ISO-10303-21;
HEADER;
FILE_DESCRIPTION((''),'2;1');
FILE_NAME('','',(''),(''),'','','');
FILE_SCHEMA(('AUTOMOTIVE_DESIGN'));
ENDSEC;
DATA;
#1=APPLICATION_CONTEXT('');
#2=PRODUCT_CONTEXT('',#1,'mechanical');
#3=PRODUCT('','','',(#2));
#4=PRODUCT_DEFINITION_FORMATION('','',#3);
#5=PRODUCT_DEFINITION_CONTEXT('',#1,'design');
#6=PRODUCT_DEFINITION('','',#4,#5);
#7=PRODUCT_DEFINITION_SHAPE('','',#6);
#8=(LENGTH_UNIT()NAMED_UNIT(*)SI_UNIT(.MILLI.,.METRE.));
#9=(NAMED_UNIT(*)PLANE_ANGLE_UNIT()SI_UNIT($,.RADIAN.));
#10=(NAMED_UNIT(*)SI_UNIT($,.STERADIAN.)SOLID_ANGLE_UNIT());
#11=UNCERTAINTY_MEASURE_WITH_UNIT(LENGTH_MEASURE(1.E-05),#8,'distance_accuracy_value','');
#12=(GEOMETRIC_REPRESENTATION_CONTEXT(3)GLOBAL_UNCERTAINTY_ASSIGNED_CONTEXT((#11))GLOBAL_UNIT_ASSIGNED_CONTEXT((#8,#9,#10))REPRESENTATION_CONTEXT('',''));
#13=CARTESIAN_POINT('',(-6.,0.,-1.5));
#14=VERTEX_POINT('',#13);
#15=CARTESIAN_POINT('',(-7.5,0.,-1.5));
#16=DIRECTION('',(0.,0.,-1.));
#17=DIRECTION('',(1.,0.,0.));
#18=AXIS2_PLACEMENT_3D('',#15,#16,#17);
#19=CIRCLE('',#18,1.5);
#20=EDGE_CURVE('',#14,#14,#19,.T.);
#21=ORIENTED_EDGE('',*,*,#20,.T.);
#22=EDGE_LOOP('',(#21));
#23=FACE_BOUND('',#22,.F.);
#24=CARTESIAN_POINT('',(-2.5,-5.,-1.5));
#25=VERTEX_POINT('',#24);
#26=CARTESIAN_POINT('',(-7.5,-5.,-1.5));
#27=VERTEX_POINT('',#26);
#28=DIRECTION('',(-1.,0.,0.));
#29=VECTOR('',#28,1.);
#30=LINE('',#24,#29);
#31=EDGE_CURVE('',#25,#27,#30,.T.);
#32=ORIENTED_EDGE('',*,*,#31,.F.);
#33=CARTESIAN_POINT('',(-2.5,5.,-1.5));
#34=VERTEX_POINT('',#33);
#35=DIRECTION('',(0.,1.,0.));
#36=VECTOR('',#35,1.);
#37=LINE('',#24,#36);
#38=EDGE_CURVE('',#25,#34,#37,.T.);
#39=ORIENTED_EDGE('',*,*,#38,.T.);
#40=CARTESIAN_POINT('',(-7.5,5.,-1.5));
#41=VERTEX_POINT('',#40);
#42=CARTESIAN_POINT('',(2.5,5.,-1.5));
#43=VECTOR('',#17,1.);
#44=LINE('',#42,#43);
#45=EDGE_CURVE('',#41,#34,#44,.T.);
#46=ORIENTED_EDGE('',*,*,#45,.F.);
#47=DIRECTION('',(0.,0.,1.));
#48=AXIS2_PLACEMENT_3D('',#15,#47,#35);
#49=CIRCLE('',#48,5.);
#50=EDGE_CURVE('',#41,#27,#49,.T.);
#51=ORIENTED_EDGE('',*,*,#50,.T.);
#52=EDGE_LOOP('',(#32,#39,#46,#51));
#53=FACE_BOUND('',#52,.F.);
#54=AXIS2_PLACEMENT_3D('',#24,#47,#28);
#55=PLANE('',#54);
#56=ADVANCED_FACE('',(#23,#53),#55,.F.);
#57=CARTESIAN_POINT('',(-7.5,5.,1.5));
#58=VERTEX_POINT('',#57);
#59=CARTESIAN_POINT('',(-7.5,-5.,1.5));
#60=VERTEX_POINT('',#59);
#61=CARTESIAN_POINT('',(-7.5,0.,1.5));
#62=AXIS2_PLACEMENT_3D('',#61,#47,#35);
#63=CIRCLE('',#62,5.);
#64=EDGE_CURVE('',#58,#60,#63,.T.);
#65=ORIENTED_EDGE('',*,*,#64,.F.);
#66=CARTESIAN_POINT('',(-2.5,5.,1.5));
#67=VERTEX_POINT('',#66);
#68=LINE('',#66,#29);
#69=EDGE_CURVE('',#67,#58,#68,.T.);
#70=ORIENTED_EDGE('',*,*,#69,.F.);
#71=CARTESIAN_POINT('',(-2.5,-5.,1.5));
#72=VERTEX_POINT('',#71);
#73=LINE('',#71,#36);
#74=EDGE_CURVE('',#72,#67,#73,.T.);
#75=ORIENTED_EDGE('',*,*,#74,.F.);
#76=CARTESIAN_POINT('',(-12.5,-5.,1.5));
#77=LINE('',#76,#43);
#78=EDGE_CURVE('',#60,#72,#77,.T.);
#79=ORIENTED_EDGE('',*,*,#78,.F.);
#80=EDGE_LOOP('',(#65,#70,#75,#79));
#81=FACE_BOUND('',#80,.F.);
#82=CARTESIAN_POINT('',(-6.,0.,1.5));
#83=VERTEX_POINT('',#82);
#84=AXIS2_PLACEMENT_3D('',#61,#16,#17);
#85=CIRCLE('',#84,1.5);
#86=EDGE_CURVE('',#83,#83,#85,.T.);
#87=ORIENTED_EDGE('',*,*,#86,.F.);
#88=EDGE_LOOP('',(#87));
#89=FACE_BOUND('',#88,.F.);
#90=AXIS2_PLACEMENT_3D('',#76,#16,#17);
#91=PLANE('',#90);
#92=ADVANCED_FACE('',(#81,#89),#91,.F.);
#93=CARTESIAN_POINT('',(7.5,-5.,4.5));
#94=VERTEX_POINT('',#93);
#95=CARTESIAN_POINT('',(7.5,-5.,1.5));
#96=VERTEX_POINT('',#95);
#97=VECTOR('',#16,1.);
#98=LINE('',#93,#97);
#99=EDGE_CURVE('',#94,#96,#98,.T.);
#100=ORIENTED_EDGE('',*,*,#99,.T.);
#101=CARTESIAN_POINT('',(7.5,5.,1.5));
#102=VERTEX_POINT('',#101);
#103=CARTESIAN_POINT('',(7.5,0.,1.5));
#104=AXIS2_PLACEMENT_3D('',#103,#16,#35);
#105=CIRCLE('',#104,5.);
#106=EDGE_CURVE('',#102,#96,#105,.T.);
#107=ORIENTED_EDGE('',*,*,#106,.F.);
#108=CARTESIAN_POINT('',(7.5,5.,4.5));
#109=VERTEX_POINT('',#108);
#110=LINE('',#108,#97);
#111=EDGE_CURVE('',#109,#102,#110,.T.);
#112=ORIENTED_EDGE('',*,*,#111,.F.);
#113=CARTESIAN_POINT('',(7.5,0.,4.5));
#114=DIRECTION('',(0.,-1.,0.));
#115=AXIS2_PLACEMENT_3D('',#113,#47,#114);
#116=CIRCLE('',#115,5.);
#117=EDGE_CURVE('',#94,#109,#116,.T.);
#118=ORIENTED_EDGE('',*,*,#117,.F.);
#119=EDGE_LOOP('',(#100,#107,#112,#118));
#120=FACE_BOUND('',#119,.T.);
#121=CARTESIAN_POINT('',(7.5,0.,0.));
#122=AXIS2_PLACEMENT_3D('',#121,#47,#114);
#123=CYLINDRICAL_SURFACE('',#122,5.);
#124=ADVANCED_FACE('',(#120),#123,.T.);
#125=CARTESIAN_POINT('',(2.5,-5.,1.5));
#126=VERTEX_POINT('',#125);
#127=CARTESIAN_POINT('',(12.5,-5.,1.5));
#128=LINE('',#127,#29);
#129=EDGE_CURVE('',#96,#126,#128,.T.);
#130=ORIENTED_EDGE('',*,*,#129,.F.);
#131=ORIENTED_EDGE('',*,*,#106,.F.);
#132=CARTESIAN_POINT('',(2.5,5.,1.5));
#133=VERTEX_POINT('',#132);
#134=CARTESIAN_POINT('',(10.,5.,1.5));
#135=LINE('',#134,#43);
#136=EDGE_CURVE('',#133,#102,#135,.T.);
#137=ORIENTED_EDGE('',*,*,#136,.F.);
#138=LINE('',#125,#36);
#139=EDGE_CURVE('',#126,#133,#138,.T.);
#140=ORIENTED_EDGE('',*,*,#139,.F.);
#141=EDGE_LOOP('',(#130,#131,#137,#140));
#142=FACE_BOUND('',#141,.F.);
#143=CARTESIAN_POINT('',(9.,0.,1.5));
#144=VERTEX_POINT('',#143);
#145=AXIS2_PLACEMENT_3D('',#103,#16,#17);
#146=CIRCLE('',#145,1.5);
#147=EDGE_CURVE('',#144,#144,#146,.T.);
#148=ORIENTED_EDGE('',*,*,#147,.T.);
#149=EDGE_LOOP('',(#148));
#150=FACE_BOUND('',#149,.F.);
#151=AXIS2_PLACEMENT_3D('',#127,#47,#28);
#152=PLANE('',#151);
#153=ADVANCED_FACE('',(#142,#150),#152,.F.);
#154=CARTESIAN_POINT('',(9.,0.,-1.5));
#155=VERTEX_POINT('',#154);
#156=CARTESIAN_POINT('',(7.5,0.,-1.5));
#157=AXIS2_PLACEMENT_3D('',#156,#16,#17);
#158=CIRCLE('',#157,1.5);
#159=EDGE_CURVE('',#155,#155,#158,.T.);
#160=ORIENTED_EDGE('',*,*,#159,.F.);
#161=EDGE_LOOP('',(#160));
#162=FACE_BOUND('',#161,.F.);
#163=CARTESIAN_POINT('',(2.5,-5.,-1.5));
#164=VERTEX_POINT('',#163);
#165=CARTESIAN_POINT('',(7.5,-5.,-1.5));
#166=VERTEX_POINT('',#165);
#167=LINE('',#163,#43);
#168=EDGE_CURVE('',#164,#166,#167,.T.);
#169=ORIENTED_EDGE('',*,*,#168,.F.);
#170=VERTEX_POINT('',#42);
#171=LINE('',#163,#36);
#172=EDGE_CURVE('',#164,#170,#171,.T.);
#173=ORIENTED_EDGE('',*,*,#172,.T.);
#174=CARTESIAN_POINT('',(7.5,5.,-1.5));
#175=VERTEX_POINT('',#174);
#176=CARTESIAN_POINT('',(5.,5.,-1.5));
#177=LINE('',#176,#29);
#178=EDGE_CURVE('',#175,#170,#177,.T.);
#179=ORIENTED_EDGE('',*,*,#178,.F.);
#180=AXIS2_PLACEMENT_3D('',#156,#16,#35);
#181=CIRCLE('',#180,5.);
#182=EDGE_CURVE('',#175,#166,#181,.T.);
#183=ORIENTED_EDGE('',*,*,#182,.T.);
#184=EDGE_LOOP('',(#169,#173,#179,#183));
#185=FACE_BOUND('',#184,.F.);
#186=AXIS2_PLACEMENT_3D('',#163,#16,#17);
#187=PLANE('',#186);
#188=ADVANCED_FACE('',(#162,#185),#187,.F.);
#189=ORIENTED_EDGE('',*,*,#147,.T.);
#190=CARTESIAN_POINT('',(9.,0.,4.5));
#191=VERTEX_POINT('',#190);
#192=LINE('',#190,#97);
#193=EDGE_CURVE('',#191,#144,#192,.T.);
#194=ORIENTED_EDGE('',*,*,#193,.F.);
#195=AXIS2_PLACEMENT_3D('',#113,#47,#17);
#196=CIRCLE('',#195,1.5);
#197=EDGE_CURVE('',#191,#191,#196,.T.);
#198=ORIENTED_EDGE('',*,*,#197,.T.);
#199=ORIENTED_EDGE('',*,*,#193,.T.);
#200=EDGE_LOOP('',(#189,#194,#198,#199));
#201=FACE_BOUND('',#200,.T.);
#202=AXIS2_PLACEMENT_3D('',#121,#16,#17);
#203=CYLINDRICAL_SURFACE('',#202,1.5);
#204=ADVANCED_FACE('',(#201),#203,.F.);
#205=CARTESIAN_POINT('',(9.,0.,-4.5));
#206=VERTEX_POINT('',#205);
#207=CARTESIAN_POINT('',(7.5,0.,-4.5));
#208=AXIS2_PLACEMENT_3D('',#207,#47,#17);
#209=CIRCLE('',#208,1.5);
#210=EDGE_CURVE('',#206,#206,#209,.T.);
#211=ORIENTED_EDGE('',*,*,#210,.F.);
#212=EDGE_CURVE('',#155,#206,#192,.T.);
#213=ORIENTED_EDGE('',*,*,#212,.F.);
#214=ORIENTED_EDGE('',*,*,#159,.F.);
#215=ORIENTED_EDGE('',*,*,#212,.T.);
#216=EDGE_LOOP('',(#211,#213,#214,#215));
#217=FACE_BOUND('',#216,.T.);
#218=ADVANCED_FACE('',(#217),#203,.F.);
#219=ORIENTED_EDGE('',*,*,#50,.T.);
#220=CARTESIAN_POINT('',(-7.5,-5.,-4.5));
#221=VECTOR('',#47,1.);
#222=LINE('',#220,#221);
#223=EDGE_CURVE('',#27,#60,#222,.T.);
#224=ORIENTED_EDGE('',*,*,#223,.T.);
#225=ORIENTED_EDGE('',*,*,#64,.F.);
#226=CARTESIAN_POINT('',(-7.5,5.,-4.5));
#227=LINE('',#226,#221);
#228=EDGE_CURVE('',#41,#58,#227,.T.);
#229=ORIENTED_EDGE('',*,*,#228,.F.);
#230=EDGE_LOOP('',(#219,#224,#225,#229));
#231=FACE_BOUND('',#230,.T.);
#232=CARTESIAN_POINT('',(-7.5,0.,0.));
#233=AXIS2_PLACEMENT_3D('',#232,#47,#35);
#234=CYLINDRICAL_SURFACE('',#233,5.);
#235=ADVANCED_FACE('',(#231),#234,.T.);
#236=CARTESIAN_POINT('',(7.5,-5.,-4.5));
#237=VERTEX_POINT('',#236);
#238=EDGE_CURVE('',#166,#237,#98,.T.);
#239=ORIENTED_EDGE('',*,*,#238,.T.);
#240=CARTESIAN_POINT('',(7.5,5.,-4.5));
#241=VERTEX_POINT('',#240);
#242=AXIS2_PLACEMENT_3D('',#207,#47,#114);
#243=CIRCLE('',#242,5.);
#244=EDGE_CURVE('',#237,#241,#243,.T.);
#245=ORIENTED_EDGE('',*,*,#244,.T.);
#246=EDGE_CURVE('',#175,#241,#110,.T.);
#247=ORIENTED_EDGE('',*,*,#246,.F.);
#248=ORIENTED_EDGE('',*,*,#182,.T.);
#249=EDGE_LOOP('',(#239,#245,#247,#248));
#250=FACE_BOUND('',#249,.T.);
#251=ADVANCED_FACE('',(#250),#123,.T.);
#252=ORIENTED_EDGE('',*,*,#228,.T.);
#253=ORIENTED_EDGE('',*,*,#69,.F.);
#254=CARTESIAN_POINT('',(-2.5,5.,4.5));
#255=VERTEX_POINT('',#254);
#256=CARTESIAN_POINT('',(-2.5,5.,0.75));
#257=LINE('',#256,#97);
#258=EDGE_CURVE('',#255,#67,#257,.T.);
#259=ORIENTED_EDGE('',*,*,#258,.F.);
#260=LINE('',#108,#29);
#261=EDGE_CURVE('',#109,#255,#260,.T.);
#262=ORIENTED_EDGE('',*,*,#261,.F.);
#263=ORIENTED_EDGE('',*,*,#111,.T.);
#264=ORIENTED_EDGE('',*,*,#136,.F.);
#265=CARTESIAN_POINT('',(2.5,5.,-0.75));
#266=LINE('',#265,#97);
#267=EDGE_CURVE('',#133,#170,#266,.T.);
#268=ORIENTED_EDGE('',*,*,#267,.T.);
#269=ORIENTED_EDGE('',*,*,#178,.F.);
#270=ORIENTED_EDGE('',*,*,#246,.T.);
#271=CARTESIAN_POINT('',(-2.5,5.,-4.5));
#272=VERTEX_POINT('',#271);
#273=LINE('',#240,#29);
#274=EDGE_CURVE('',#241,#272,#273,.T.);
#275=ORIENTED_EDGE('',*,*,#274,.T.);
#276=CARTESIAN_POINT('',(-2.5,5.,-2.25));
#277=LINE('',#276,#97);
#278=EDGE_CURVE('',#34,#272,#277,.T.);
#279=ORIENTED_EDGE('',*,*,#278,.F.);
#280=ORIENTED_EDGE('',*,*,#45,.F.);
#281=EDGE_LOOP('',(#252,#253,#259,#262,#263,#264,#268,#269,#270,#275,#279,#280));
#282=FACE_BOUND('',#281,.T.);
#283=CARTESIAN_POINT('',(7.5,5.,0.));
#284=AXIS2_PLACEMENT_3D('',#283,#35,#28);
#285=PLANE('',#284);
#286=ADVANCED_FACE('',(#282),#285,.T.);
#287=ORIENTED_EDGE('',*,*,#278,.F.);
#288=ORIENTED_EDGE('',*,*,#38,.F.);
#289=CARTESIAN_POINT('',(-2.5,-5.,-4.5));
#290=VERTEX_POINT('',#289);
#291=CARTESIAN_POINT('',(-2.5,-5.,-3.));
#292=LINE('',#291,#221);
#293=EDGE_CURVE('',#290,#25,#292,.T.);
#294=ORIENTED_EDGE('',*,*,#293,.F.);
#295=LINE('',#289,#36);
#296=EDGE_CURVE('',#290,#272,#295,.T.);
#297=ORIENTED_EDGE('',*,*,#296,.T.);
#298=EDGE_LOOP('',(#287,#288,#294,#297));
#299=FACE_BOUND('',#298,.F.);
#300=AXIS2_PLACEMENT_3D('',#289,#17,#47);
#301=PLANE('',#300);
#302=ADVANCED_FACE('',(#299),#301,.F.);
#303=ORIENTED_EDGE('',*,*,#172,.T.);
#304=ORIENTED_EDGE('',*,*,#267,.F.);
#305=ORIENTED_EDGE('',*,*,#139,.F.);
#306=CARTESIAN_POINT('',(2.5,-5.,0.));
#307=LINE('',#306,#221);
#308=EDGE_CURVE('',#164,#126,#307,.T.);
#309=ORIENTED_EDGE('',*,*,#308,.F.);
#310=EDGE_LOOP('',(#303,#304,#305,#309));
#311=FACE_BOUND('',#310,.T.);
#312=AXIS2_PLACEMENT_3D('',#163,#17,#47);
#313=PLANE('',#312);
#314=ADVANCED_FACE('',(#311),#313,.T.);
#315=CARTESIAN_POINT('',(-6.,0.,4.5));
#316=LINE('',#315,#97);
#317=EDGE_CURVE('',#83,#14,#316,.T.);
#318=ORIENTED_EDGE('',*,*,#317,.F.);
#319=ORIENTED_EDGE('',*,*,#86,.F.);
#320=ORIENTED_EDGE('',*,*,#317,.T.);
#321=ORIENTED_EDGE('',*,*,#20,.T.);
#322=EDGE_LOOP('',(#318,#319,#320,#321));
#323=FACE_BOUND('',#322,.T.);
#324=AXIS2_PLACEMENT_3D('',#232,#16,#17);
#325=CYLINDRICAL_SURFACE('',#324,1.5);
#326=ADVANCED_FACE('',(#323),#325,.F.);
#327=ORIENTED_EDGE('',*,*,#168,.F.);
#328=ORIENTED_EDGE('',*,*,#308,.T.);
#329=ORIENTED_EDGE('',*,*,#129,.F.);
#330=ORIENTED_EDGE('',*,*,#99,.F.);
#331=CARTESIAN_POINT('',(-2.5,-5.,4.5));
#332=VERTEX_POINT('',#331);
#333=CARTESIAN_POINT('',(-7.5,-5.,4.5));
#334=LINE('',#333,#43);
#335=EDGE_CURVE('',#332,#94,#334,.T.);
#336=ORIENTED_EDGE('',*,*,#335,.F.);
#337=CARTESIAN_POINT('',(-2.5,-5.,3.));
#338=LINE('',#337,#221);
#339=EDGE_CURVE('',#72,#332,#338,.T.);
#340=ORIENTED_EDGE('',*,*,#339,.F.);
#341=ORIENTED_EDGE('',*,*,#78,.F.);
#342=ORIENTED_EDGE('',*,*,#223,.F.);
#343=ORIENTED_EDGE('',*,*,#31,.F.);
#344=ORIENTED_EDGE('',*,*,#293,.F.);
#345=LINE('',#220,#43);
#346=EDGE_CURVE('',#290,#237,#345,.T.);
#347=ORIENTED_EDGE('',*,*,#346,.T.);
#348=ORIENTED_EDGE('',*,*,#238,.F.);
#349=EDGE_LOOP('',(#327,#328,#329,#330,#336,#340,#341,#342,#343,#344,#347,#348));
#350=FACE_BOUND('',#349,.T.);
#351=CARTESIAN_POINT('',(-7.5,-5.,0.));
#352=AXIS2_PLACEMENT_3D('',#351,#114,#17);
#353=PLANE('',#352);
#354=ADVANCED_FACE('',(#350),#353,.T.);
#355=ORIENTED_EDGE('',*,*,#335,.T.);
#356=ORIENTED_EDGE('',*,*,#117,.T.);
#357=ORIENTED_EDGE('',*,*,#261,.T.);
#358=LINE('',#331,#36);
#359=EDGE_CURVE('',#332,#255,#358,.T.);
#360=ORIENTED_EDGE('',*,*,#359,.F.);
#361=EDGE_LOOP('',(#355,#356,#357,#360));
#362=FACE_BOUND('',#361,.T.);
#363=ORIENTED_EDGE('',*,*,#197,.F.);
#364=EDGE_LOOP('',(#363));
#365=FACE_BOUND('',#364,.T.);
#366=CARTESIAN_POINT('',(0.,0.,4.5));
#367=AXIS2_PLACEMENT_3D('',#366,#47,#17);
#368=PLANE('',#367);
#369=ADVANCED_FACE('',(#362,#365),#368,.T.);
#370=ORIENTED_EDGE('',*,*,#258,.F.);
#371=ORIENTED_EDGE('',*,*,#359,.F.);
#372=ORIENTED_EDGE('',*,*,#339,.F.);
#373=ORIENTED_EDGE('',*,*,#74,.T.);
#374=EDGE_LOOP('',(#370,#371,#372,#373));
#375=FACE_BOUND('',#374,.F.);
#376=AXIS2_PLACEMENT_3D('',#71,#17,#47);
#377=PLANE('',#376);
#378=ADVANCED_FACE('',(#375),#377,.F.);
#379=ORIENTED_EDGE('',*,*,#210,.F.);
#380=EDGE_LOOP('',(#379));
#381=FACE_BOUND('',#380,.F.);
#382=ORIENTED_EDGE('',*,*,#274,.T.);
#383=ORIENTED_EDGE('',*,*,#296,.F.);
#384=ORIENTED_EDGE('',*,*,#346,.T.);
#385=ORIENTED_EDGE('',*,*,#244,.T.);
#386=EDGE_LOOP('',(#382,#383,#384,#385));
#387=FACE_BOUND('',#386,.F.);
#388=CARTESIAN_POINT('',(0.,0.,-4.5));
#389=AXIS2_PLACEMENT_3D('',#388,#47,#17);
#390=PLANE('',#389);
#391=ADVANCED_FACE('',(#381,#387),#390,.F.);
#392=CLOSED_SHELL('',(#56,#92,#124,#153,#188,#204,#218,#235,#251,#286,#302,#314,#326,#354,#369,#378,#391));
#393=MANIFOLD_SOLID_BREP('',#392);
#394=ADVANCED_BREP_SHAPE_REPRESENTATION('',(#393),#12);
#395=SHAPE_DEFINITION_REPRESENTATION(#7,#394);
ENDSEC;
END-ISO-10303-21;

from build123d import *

# Parameters (mm, degrees)
F0_R     = 1.5
F1_DEPTH = 4.5
F2_W     = 5
F2_H     = 3
F3_DEPTH = 10.001


with BuildPart() as f1:
    # F0 (on Top) → F1 (new body, symmetric)
    with BuildSketch(Plane.XY):
        with BuildLine():
            Line((7.5, 5), (-7.5, 5))
            ThreePointArc((-7.5, 5), (-12.5, 0), (-7.5, -5))
            Line((-7.5, -5), (7.5, -5))
            ThreePointArc((7.5, -5), (12.5, 0), (7.5, 5))
        make_face()
        with Locations((-7.5, 0)):
            Circle(F0_R, mode=Mode.SUBTRACT)
        with Locations((7.5, 0)):
            Circle(F0_R, mode=Mode.SUBTRACT)
    extrude(amount=F1_DEPTH, both=True)

    # F2 (on face) → F3 (cut, through all)
    with BuildSketch(Plane.XZ.offset(5)):
        with Locations((-10, 3)):
            Rectangle(F2_W, F2_H)
        with Locations((-5, -3)):
            Rectangle(F2_W, F2_H)
        with Locations((-5, 3)):
            Rectangle(F2_W, F2_H)
        with Locations((-10, -3)):
            Rectangle(F2_W, F2_H)
        with Locations((10, 0)):
            Rectangle(F2_W, F2_H)
        with Locations((5, 0)):
            Rectangle(F2_W, F2_H)
    extrude(amount=-F3_DEPTH, mode=Mode.SUBTRACT)


solid = f1.part
